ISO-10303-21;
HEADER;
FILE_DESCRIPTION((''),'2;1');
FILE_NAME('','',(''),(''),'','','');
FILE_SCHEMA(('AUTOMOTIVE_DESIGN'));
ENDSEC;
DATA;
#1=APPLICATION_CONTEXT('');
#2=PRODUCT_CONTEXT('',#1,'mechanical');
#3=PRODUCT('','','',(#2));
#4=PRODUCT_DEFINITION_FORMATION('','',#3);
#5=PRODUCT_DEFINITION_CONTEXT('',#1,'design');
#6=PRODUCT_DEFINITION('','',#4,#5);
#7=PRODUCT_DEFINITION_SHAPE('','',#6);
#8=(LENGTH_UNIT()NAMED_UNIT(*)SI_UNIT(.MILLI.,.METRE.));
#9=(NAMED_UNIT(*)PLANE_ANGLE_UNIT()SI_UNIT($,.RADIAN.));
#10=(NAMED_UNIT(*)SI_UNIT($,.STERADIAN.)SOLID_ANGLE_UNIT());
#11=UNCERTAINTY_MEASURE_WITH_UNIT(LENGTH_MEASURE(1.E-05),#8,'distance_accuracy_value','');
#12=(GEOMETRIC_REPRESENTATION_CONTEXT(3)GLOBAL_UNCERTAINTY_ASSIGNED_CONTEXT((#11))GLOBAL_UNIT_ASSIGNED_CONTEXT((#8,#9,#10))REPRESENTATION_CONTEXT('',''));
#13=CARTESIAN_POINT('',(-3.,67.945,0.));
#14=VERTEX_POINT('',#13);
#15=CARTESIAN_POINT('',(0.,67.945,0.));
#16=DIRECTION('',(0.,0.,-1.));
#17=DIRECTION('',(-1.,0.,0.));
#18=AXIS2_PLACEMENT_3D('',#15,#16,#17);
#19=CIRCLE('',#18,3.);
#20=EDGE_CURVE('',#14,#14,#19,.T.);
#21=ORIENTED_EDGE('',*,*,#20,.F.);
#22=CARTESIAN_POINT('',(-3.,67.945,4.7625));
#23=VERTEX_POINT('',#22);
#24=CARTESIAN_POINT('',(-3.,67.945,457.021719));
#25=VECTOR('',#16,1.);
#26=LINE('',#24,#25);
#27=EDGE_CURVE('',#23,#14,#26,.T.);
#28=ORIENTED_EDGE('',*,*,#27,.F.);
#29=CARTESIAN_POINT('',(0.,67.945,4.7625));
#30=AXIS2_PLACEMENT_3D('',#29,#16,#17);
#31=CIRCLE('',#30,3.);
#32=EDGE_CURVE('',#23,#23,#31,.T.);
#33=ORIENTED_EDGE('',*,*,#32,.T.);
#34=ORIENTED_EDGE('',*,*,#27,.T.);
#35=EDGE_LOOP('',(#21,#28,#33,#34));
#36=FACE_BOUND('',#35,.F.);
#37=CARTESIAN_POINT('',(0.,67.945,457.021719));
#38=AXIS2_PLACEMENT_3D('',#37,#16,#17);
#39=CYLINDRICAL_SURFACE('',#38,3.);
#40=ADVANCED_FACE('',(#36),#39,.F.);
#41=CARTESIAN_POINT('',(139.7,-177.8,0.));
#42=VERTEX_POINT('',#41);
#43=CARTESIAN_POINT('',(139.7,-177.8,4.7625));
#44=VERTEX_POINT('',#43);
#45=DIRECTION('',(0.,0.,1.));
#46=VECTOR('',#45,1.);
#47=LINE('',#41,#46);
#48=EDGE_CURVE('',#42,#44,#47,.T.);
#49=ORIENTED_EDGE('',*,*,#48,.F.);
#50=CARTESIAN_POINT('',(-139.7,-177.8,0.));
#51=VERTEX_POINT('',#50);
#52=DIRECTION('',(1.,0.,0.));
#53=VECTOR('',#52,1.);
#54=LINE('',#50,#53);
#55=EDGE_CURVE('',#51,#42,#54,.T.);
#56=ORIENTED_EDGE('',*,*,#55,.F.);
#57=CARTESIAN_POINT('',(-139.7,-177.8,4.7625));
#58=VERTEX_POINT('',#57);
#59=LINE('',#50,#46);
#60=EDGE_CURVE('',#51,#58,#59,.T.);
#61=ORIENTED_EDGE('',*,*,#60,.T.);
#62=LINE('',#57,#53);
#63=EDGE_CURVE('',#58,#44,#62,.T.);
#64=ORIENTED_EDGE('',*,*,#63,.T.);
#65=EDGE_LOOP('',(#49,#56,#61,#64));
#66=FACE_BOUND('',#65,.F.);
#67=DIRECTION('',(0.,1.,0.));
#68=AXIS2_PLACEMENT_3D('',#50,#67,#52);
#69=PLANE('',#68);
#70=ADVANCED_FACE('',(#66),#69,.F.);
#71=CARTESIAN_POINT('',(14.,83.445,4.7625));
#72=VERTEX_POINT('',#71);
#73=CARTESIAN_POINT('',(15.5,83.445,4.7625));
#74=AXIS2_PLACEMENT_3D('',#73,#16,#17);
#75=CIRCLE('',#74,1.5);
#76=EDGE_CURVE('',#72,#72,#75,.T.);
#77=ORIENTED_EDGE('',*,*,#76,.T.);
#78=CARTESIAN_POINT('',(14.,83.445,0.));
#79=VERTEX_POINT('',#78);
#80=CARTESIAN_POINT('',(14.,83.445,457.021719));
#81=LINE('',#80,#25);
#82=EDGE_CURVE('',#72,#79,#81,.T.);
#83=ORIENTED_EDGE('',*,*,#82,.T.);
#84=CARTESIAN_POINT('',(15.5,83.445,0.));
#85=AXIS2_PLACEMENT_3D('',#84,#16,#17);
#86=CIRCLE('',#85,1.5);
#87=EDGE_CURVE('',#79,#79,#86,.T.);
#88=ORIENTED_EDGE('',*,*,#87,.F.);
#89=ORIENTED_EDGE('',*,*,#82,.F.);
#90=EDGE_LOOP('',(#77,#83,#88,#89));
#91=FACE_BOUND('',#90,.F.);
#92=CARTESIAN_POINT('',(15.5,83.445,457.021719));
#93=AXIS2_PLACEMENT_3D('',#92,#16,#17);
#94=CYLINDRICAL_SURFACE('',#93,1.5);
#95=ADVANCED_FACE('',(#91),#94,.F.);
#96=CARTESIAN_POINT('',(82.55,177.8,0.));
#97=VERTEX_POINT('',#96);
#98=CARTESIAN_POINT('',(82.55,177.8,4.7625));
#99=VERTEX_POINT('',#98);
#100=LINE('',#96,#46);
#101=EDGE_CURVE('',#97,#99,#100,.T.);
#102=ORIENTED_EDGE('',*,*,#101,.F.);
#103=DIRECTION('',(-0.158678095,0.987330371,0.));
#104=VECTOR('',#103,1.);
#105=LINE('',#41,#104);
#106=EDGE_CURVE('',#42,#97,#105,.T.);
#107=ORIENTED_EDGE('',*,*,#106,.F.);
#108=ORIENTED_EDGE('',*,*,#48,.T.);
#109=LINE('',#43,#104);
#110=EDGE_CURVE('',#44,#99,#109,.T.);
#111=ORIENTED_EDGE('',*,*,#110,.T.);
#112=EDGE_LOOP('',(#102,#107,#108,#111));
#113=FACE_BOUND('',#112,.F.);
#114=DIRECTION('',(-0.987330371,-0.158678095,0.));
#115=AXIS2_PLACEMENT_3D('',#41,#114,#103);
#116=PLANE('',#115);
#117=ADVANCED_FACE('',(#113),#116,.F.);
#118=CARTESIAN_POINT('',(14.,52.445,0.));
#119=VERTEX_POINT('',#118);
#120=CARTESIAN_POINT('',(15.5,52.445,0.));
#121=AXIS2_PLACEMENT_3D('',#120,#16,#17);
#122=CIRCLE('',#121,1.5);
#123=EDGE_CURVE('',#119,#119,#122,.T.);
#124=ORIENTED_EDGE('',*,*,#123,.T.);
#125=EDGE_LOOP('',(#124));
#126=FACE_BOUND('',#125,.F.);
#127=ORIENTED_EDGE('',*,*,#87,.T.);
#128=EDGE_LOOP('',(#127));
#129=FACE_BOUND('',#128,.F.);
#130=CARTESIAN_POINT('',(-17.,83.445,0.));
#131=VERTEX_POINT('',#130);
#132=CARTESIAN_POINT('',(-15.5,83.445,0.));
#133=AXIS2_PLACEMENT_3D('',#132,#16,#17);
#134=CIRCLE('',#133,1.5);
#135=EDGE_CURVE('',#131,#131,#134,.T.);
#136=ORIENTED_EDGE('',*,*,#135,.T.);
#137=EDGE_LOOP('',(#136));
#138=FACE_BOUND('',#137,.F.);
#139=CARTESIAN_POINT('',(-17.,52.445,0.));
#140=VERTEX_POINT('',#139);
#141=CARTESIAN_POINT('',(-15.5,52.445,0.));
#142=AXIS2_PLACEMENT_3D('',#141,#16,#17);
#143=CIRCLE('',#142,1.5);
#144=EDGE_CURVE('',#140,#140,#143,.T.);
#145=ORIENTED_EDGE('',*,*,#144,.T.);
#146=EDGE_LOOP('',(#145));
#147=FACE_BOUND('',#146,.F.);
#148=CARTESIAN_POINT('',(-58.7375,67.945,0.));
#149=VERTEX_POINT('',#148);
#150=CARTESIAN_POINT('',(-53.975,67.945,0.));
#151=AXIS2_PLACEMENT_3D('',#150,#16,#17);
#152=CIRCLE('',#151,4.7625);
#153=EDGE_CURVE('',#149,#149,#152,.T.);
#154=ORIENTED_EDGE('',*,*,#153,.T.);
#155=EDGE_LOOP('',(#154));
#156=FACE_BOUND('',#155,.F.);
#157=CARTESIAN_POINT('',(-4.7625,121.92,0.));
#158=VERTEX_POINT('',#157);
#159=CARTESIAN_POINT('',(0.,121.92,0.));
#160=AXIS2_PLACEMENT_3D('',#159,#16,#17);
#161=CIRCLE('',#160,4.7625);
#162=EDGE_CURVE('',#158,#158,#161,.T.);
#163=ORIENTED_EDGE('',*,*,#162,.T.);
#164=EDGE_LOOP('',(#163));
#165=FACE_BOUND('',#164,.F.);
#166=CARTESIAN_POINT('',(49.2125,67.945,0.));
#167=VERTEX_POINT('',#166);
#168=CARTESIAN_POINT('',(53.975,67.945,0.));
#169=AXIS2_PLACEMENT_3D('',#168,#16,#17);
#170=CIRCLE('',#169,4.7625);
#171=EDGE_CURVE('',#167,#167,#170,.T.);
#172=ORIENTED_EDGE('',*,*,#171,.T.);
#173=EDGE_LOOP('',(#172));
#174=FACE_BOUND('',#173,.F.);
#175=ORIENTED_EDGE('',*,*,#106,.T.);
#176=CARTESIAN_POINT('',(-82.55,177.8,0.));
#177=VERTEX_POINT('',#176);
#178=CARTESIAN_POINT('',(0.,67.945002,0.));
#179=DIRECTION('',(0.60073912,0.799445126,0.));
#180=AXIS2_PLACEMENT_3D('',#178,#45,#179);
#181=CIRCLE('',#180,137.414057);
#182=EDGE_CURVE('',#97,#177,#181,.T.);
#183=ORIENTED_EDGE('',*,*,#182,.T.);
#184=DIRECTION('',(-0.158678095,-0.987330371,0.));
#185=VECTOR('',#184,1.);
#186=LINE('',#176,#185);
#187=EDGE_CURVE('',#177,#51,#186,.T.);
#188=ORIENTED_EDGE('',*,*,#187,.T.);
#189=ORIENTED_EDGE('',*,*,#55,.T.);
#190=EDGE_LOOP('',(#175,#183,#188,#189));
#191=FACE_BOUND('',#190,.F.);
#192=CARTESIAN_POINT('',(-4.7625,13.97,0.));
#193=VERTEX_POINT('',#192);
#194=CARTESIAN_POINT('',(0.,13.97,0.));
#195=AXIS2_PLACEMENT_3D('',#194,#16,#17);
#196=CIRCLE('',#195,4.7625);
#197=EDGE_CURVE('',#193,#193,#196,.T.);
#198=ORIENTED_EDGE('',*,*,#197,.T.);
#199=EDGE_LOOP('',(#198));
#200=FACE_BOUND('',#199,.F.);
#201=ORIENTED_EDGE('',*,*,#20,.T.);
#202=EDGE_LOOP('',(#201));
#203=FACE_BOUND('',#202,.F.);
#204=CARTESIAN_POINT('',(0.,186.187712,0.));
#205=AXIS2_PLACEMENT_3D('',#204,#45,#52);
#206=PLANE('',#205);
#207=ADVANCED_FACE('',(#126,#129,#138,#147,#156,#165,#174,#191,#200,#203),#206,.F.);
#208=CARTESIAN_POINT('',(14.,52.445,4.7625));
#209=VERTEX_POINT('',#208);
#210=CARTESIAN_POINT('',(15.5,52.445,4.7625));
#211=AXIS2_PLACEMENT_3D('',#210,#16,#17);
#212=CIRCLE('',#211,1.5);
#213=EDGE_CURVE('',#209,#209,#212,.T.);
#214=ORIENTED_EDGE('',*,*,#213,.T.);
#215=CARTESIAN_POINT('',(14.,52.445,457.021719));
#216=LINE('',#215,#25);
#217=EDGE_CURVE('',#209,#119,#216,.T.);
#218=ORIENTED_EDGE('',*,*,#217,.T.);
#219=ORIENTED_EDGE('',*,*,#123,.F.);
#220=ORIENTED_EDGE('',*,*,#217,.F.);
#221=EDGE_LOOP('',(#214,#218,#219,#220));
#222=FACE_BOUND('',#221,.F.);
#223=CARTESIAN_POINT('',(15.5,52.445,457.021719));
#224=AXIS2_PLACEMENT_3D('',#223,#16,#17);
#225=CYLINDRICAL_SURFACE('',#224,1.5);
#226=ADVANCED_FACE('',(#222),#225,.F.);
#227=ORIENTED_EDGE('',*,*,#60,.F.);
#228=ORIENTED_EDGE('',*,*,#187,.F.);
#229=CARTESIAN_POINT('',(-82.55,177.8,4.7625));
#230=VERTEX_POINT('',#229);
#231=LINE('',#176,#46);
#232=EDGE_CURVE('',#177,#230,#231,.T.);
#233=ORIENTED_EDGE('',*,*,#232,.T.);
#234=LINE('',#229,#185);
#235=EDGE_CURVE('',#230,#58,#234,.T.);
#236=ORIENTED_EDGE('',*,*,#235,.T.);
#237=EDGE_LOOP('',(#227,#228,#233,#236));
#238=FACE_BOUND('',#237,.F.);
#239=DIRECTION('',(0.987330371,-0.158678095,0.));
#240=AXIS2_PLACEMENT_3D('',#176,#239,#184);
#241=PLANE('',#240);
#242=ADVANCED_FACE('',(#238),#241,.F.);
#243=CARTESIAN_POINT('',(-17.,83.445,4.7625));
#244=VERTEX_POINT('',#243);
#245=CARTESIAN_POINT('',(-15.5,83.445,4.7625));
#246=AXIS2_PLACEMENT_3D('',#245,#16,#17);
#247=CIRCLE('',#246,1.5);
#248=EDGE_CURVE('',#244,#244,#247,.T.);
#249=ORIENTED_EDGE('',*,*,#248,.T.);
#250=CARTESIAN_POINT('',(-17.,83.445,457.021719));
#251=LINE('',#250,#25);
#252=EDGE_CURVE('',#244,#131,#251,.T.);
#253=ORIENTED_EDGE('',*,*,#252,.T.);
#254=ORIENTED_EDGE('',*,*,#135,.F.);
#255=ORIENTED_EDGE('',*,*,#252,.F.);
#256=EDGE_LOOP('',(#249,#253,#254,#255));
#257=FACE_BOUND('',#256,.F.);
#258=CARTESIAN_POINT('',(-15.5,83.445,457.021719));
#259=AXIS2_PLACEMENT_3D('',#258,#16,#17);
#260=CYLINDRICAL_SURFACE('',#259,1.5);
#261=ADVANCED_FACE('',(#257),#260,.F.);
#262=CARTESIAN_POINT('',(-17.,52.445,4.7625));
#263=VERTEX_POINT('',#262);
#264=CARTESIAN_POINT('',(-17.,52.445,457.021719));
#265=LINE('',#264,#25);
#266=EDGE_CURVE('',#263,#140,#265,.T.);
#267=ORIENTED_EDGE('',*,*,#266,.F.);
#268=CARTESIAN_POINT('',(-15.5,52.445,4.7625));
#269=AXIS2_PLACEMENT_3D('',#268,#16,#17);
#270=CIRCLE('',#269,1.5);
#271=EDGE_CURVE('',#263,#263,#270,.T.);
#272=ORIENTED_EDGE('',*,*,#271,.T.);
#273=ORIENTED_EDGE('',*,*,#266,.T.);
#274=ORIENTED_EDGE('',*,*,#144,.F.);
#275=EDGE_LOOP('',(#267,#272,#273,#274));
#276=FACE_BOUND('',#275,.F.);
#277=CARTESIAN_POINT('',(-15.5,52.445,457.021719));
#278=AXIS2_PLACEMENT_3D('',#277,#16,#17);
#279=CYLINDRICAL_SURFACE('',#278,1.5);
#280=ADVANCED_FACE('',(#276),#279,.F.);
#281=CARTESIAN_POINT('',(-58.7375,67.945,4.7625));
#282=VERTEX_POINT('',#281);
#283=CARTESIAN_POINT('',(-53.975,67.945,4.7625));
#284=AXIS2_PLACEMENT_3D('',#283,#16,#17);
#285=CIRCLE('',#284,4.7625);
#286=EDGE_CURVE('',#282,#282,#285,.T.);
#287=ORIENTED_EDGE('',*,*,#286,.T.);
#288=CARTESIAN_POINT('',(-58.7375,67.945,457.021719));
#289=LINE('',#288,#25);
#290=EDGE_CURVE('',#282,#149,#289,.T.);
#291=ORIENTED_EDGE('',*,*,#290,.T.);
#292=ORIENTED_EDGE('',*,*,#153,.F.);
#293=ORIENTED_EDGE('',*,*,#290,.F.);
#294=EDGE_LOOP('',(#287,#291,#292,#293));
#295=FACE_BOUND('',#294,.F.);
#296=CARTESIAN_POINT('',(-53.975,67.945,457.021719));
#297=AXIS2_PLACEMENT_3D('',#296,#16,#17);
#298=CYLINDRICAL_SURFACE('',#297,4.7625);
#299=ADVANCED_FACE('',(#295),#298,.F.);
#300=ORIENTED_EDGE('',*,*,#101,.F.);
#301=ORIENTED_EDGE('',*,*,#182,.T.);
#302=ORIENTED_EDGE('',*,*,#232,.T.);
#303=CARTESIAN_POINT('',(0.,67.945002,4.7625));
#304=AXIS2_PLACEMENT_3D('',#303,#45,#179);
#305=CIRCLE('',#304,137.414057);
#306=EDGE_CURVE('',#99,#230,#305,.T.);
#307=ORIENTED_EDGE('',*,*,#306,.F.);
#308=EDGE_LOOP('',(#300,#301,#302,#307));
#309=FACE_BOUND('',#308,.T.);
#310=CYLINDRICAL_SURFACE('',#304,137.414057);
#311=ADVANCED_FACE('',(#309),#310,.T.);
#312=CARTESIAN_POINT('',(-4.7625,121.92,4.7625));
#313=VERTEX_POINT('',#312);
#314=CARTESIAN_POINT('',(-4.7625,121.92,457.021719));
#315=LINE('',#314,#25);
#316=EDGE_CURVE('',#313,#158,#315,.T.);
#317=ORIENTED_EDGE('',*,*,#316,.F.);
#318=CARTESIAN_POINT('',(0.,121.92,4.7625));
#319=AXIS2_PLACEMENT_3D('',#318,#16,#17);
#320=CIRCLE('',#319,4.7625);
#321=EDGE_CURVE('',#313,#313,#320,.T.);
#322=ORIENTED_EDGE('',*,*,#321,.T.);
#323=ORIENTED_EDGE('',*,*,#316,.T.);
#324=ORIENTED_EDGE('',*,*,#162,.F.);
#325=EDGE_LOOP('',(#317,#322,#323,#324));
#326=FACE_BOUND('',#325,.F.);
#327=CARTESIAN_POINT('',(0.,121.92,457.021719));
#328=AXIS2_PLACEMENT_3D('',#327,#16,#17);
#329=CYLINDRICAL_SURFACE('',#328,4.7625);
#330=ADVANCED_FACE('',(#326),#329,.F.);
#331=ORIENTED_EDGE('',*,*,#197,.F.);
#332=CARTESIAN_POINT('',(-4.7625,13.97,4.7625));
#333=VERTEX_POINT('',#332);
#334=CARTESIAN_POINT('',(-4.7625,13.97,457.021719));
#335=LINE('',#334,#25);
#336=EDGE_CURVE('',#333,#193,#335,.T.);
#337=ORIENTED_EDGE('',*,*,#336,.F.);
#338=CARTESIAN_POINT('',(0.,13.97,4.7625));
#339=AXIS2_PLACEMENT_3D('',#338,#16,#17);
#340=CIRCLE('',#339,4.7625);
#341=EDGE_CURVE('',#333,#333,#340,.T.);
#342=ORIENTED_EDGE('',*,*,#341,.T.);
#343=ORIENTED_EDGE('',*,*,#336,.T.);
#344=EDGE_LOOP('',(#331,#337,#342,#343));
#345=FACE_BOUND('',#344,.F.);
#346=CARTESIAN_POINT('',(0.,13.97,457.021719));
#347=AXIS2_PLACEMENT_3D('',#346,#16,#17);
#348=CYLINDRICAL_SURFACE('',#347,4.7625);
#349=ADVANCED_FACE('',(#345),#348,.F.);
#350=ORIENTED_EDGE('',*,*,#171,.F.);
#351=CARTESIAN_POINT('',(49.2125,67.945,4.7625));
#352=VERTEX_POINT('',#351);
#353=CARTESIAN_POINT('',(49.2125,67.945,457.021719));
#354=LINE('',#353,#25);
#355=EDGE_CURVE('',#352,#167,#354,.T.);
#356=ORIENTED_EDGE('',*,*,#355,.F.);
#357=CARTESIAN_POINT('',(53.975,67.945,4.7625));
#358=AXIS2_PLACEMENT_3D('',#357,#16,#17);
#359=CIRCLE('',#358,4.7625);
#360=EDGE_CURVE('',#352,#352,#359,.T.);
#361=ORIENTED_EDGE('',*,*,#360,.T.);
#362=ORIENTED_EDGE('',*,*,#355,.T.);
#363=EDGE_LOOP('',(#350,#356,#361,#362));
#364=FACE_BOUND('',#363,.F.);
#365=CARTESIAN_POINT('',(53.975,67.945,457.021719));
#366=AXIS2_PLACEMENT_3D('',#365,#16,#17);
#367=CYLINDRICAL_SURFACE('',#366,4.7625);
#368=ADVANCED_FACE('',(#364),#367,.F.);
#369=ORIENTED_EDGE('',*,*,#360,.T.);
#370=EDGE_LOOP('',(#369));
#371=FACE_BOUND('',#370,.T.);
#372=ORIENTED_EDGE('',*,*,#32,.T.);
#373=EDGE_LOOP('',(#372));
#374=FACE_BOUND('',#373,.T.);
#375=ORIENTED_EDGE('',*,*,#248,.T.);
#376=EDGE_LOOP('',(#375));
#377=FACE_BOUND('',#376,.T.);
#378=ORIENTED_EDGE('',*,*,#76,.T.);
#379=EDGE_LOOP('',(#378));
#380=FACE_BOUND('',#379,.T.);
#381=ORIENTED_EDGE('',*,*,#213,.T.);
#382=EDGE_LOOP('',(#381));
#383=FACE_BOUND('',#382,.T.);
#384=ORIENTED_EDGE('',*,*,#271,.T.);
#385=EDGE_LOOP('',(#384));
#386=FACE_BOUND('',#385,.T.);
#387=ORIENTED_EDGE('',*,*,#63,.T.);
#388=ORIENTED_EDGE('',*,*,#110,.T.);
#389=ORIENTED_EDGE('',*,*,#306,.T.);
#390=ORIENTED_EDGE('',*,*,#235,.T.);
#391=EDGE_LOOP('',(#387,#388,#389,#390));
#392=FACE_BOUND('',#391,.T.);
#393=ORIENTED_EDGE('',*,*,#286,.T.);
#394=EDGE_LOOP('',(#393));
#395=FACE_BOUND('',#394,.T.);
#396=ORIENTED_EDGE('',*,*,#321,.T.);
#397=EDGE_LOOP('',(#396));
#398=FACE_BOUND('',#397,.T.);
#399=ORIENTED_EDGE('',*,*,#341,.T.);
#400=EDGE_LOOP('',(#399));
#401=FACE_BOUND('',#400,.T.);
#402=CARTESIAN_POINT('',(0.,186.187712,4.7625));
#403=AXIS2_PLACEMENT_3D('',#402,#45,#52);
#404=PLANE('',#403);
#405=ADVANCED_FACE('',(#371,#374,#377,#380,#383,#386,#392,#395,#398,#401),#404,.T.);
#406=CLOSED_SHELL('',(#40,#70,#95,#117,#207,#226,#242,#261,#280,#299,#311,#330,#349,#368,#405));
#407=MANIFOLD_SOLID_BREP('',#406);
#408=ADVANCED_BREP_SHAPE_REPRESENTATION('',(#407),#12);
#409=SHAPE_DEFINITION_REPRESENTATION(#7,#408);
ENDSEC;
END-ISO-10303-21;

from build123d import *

# Parameters (mm, degrees)
F0_W     = 82.55
F0_H     = 355.6
F1_DEPTH = 4.7625
F3_D     = 9.525
F4_D     = 3
F5_D     = 6
F7_DEPTH = 4.7625


with BuildPart() as f1:
    # F0 (on Top) → F1 (new body)
    with BuildSketch(Plane.XY):
        with Locations((41.275, 0)):
            Rectangle(F0_W, F0_H)
        Polygon((82.55, 177.8), (82.55, -177.8), (139.7, -177.8), align=None)
        with Locations((-41.275, 0)):
            Rectangle(F0_W, F0_H)
        Polygon((-139.7, -177.8), (-82.55, -177.8), (-82.55, 177.8), align=None)
    extrude(amount=F1_DEPTH)

    # F3 (through all)
    with Locations(Plane.XY.offset(4.7625)):
        with Locations((-53.975, 67.945), (0, 121.92), (53.975, 67.945), (0, 13.97)):
            Hole(F3_D / 2)

    # F4 (through all)
    with Locations(Plane.XY.offset(4.7625)):
        with Locations((15.5, 83.445), (-15.5, 83.445), (-15.5, 52.445), (15.5, 52.445)):
            Hole(F4_D / 2)

    # F5 (through all)
    with Locations(Plane.XY.offset(4.7625)):
        with Locations((0, 67.945)):
            Hole(F5_D / 2)

    # F6 (on face) → F7 (join)
    with BuildSketch(Plane.XY.offset(4.7625)):
        with BuildLine():
            Line((-82.55, 177.8), (82.55, 177.8))
            ThreePointArc((82.55, 177.8), (0, 205.359059), (-82.55, 177.8))
        make_face()
    extrude(amount=-F7_DEPTH)


solid = f1.part
